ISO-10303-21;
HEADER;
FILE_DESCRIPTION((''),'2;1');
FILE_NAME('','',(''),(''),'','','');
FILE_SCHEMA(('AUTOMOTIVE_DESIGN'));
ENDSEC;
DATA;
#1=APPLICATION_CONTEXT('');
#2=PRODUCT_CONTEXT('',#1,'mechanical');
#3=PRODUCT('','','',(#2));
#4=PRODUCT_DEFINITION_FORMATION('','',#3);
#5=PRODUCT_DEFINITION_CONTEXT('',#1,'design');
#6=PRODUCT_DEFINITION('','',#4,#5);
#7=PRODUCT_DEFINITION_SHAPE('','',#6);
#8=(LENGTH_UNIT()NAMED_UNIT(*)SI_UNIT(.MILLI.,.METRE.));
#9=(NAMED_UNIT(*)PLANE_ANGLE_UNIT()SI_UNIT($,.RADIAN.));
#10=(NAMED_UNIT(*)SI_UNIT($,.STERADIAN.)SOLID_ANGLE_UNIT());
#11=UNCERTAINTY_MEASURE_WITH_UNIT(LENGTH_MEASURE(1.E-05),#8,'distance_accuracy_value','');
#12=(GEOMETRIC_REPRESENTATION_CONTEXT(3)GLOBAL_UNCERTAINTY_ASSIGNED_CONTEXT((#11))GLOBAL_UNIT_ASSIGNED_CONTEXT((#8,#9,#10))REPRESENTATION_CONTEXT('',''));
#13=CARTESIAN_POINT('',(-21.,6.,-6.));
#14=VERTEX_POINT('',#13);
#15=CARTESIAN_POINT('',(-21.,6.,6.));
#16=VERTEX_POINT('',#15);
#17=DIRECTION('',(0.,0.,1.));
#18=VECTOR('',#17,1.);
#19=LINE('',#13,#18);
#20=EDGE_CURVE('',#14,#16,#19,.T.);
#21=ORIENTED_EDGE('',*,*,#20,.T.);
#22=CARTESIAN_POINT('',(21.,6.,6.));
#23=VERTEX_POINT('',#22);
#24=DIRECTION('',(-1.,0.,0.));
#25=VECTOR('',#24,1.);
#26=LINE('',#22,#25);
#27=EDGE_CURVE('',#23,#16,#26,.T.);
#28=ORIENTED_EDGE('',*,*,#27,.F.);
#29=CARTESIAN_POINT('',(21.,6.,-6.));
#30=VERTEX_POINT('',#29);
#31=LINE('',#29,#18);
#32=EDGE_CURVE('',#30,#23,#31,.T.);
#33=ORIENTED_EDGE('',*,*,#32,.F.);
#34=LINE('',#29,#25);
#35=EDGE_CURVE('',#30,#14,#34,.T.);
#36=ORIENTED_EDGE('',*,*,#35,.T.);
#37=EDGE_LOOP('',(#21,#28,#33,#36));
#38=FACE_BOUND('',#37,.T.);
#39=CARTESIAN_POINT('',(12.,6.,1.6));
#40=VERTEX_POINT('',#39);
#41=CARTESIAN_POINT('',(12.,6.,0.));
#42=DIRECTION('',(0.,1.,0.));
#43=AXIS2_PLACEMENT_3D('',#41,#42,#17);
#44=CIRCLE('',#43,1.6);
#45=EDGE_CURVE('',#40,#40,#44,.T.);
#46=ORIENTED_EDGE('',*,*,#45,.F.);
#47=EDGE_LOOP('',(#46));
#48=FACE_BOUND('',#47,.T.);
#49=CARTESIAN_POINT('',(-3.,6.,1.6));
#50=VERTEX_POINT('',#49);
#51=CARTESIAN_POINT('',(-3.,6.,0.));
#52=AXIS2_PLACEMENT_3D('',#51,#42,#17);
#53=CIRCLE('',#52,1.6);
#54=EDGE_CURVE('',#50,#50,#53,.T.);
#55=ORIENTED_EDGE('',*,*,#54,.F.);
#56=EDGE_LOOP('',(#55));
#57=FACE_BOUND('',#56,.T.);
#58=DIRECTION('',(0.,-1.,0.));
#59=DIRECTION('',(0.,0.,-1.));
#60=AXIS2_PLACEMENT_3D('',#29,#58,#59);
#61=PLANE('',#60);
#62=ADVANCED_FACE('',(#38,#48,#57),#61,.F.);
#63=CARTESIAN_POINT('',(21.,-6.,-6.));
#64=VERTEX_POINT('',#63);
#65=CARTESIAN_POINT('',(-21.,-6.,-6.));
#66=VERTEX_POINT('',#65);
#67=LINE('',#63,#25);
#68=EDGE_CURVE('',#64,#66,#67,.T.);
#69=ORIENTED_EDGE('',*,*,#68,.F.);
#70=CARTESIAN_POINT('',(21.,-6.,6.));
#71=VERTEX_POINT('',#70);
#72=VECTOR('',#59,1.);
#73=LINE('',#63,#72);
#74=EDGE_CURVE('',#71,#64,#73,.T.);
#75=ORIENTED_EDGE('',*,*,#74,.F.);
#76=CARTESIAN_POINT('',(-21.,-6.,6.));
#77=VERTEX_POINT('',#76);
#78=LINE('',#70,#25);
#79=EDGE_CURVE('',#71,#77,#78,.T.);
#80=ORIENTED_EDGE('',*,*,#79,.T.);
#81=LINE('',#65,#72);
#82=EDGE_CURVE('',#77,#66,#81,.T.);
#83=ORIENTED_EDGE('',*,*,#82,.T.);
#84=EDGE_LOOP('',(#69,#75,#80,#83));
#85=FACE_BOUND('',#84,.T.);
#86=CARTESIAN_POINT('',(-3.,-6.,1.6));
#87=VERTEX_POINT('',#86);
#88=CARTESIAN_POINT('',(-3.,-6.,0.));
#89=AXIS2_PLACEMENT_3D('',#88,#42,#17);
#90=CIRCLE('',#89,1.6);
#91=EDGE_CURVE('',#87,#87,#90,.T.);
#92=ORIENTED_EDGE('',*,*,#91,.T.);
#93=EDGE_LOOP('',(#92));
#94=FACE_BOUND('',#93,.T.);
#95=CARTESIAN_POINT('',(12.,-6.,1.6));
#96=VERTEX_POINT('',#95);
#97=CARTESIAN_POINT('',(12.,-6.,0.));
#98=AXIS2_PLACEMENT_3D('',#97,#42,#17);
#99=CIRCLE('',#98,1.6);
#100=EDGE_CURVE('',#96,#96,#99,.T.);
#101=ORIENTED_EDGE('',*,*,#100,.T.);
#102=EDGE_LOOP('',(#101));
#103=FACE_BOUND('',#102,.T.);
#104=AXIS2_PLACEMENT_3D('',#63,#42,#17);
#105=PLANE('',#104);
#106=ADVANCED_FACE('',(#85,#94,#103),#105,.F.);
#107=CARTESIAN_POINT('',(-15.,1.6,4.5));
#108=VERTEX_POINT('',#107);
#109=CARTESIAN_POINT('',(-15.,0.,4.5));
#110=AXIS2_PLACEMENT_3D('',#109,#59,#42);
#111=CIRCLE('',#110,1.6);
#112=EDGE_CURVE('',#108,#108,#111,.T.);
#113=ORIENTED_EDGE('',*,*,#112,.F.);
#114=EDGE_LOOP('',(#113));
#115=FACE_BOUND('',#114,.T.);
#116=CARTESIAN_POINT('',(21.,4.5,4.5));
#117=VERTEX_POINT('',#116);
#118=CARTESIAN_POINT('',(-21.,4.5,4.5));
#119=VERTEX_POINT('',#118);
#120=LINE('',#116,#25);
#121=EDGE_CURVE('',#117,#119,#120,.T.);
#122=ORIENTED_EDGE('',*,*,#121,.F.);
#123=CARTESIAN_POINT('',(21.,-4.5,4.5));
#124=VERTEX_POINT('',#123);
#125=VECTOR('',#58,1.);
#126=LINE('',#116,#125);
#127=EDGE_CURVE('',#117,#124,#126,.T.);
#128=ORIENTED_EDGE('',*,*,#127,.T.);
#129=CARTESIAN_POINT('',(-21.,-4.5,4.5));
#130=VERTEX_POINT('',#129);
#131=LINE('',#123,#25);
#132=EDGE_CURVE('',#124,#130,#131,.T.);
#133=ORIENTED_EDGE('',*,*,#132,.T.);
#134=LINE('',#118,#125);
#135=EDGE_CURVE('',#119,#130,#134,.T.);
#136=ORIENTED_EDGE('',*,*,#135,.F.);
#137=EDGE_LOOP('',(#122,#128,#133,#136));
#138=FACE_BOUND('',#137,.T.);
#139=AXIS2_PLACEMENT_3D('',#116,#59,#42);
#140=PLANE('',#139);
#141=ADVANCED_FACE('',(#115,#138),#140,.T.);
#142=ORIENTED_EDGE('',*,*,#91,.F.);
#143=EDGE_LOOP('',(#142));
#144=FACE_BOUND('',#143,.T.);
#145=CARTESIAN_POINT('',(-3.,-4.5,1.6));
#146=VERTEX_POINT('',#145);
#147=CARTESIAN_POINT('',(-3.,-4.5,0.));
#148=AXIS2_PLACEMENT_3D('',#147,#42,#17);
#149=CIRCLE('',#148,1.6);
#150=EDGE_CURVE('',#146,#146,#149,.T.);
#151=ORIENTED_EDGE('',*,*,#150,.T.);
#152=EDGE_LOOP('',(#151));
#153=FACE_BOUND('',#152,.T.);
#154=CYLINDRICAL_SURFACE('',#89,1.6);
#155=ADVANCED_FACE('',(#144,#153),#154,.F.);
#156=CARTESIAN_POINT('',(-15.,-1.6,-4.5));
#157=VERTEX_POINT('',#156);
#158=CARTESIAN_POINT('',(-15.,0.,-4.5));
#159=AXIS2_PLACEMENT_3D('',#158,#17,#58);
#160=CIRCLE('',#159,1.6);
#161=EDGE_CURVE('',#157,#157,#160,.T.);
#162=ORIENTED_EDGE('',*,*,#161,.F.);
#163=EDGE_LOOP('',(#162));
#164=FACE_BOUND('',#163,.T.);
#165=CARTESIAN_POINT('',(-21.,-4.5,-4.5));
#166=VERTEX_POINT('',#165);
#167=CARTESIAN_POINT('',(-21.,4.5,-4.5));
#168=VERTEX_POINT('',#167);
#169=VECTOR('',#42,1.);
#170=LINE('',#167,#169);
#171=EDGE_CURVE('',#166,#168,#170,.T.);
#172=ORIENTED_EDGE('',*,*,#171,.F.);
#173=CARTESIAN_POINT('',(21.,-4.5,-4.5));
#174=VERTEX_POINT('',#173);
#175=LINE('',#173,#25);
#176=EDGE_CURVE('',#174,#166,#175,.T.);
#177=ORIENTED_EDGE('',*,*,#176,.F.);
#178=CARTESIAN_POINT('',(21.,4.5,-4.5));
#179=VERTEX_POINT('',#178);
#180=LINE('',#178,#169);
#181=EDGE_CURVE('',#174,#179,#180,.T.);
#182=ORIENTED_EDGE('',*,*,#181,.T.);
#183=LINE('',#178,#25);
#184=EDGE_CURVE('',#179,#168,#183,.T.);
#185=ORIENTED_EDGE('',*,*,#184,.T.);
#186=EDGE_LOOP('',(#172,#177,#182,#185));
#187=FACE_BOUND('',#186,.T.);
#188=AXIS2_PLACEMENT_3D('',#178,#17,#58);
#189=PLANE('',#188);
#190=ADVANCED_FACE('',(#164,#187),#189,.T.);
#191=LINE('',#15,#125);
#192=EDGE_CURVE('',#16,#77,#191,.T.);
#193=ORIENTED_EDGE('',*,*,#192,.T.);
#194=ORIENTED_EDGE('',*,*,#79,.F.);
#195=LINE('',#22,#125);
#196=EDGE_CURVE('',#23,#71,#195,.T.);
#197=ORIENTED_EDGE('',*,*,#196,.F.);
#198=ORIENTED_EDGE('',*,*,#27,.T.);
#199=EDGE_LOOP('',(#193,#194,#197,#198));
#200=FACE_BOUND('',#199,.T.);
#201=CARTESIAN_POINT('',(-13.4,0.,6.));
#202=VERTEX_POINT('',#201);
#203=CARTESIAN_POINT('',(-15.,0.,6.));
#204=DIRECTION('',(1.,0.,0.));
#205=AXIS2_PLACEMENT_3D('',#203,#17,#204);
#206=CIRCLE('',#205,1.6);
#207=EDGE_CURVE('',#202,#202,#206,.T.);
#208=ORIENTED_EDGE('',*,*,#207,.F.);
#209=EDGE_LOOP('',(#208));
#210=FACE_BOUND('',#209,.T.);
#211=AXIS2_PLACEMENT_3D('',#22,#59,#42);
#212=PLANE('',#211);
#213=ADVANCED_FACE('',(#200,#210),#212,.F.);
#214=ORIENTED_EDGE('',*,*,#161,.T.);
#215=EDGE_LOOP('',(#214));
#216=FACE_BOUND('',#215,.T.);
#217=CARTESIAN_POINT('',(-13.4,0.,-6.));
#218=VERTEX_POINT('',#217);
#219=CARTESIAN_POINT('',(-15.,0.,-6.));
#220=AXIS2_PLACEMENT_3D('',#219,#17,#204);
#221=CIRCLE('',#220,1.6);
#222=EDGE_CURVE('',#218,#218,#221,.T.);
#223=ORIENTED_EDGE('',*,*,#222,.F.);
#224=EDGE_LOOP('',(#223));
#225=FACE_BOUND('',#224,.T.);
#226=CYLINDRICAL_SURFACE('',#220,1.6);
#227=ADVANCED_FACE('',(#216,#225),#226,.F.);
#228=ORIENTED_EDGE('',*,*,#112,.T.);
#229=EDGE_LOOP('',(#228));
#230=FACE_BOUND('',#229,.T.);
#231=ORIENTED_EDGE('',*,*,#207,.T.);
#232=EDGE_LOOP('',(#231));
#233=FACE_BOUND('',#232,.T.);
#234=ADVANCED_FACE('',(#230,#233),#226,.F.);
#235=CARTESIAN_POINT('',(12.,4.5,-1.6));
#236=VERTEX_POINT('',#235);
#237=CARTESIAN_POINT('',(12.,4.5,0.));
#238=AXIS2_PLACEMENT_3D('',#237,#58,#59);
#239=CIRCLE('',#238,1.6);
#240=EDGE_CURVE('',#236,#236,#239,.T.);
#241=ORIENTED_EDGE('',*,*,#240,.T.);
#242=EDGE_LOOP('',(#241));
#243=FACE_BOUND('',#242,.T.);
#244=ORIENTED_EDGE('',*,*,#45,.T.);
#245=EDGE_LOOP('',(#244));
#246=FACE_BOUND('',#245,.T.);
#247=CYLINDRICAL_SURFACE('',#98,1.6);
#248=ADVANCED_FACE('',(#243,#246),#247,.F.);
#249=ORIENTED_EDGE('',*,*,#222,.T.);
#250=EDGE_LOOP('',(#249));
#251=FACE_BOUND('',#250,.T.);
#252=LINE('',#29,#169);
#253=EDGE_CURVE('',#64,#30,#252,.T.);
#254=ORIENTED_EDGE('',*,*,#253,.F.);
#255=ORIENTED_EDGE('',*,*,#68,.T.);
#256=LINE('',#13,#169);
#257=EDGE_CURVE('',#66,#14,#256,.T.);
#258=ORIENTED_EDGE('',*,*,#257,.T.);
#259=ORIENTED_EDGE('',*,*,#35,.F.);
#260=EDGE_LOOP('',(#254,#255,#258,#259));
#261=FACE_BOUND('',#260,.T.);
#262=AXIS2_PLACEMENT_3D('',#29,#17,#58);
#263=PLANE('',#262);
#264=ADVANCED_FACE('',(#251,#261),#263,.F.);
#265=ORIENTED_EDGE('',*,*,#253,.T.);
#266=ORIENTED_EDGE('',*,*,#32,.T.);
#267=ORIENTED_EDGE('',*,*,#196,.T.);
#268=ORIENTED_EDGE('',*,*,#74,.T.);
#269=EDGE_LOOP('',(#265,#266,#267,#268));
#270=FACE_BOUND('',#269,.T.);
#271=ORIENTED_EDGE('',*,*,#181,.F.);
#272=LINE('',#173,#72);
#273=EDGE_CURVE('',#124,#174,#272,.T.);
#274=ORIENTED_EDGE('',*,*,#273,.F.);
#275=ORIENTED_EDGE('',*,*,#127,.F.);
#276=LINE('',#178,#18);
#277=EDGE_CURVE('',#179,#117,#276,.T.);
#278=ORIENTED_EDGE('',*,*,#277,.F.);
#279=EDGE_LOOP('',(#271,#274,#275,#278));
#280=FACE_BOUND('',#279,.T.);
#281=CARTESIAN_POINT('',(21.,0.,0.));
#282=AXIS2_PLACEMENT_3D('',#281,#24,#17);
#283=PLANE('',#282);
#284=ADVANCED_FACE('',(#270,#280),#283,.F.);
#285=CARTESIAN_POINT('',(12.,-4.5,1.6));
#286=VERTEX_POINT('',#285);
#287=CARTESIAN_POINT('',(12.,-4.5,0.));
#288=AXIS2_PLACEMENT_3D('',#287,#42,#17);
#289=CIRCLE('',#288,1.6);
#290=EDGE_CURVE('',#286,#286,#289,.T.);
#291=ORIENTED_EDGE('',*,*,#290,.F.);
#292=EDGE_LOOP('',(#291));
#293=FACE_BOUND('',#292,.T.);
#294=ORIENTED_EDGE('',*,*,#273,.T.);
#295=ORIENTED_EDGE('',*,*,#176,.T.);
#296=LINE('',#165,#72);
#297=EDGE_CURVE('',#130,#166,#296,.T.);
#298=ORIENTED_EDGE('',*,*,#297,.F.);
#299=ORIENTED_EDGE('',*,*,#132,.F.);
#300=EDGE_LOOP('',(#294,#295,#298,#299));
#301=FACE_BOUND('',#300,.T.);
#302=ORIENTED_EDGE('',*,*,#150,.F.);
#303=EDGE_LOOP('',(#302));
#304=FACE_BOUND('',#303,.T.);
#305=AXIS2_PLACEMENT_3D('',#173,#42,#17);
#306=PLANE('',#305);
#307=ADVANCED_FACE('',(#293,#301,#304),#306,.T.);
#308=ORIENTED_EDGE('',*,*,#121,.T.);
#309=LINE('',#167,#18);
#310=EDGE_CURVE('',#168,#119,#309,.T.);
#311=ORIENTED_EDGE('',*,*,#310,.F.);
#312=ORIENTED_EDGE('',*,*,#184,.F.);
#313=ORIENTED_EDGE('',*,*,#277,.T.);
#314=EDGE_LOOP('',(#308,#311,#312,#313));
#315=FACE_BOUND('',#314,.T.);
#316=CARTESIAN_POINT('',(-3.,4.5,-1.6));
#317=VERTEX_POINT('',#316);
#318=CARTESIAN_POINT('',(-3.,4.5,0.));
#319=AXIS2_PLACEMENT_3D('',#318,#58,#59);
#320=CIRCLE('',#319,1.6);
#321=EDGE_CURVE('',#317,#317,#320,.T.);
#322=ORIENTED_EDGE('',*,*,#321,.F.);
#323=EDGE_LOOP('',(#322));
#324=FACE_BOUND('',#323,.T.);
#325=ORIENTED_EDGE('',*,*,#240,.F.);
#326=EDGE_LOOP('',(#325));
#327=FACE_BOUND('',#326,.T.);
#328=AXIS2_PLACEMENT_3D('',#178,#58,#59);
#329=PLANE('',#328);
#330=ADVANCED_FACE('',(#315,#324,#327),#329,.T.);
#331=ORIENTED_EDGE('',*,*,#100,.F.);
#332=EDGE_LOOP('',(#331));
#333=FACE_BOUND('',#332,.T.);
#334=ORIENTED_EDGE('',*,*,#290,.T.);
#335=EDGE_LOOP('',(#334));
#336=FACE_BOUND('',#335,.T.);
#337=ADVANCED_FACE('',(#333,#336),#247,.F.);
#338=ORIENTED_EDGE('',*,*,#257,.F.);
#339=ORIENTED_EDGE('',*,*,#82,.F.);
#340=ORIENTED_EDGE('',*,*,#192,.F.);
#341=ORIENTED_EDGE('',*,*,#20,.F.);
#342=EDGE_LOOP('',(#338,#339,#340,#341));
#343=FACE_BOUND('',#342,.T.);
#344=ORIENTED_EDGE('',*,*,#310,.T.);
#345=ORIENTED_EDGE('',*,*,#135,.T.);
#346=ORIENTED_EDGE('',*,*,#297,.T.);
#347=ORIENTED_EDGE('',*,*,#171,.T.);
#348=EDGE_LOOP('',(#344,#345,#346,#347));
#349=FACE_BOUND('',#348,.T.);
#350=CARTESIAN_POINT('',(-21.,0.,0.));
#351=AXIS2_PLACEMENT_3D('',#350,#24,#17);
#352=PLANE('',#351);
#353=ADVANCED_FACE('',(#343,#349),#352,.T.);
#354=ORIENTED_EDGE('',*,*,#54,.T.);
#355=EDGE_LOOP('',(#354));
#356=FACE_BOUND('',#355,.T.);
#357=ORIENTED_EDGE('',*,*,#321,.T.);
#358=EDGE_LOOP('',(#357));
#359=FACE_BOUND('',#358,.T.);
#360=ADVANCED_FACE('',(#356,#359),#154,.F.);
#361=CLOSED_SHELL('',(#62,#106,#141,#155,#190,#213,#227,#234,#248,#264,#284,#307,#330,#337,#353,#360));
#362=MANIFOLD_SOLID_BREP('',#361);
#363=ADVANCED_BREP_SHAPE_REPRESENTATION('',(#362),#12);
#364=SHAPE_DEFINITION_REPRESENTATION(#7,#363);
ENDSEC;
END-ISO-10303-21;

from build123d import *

# Parameters (mm, degrees)
SKETCH_1_W          = 12
SKETCH_1_H          = 12
SKETCH_1_W_2        = 9
SKETCH_1_H_2        = 9
EXTRUDE_1_DEPTH     = 21
SKETCH_4_R          = 1.6
CUT_EXTRUDE_3_DEPTH = 13
SKETCH_5_R          = 1.6
CUT_EXTRUDE_4_DEPTH = 13


with BuildPart() as part:
    # ｽｹｯﾁ1 → ﾎﾞｽ - 押し出し1 (new body, symmetric)
    with BuildSketch(Plane(origin=(0, 0, 0), x_dir=(0, 0, -1), z_dir=(1, 0, 0))):
        Rectangle(SKETCH_1_W, SKETCH_1_H)
        Rectangle(SKETCH_1_W_2, SKETCH_1_H_2, mode=Mode.SUBTRACT)
    extrude(amount=EXTRUDE_1_DEPTH, both=True)

    # ｽｹｯﾁ4 → ｶｯﾄ - 押し出し3 (cut, through all)
    with BuildSketch(Plane(origin=(0, 6, 0), x_dir=(1, 0, 0), z_dir=(0, 1, 0))):
        with Locations((-3, 0)):
            Circle(SKETCH_4_R)
        with Locations((12, 0)):
            Circle(SKETCH_4_R)
    extrude(amount=-CUT_EXTRUDE_3_DEPTH, mode=Mode.SUBTRACT)

    # ｽｹｯﾁ5 → ｶｯﾄ - 押し出し4 (cut, through all)
    with BuildSketch(Plane.XY.offset(6)):
        with Locations((-15, 0)):
            Circle(SKETCH_5_R)
    extrude(amount=-CUT_EXTRUDE_4_DEPTH, mode=Mode.SUBTRACT)


solid = part.part
